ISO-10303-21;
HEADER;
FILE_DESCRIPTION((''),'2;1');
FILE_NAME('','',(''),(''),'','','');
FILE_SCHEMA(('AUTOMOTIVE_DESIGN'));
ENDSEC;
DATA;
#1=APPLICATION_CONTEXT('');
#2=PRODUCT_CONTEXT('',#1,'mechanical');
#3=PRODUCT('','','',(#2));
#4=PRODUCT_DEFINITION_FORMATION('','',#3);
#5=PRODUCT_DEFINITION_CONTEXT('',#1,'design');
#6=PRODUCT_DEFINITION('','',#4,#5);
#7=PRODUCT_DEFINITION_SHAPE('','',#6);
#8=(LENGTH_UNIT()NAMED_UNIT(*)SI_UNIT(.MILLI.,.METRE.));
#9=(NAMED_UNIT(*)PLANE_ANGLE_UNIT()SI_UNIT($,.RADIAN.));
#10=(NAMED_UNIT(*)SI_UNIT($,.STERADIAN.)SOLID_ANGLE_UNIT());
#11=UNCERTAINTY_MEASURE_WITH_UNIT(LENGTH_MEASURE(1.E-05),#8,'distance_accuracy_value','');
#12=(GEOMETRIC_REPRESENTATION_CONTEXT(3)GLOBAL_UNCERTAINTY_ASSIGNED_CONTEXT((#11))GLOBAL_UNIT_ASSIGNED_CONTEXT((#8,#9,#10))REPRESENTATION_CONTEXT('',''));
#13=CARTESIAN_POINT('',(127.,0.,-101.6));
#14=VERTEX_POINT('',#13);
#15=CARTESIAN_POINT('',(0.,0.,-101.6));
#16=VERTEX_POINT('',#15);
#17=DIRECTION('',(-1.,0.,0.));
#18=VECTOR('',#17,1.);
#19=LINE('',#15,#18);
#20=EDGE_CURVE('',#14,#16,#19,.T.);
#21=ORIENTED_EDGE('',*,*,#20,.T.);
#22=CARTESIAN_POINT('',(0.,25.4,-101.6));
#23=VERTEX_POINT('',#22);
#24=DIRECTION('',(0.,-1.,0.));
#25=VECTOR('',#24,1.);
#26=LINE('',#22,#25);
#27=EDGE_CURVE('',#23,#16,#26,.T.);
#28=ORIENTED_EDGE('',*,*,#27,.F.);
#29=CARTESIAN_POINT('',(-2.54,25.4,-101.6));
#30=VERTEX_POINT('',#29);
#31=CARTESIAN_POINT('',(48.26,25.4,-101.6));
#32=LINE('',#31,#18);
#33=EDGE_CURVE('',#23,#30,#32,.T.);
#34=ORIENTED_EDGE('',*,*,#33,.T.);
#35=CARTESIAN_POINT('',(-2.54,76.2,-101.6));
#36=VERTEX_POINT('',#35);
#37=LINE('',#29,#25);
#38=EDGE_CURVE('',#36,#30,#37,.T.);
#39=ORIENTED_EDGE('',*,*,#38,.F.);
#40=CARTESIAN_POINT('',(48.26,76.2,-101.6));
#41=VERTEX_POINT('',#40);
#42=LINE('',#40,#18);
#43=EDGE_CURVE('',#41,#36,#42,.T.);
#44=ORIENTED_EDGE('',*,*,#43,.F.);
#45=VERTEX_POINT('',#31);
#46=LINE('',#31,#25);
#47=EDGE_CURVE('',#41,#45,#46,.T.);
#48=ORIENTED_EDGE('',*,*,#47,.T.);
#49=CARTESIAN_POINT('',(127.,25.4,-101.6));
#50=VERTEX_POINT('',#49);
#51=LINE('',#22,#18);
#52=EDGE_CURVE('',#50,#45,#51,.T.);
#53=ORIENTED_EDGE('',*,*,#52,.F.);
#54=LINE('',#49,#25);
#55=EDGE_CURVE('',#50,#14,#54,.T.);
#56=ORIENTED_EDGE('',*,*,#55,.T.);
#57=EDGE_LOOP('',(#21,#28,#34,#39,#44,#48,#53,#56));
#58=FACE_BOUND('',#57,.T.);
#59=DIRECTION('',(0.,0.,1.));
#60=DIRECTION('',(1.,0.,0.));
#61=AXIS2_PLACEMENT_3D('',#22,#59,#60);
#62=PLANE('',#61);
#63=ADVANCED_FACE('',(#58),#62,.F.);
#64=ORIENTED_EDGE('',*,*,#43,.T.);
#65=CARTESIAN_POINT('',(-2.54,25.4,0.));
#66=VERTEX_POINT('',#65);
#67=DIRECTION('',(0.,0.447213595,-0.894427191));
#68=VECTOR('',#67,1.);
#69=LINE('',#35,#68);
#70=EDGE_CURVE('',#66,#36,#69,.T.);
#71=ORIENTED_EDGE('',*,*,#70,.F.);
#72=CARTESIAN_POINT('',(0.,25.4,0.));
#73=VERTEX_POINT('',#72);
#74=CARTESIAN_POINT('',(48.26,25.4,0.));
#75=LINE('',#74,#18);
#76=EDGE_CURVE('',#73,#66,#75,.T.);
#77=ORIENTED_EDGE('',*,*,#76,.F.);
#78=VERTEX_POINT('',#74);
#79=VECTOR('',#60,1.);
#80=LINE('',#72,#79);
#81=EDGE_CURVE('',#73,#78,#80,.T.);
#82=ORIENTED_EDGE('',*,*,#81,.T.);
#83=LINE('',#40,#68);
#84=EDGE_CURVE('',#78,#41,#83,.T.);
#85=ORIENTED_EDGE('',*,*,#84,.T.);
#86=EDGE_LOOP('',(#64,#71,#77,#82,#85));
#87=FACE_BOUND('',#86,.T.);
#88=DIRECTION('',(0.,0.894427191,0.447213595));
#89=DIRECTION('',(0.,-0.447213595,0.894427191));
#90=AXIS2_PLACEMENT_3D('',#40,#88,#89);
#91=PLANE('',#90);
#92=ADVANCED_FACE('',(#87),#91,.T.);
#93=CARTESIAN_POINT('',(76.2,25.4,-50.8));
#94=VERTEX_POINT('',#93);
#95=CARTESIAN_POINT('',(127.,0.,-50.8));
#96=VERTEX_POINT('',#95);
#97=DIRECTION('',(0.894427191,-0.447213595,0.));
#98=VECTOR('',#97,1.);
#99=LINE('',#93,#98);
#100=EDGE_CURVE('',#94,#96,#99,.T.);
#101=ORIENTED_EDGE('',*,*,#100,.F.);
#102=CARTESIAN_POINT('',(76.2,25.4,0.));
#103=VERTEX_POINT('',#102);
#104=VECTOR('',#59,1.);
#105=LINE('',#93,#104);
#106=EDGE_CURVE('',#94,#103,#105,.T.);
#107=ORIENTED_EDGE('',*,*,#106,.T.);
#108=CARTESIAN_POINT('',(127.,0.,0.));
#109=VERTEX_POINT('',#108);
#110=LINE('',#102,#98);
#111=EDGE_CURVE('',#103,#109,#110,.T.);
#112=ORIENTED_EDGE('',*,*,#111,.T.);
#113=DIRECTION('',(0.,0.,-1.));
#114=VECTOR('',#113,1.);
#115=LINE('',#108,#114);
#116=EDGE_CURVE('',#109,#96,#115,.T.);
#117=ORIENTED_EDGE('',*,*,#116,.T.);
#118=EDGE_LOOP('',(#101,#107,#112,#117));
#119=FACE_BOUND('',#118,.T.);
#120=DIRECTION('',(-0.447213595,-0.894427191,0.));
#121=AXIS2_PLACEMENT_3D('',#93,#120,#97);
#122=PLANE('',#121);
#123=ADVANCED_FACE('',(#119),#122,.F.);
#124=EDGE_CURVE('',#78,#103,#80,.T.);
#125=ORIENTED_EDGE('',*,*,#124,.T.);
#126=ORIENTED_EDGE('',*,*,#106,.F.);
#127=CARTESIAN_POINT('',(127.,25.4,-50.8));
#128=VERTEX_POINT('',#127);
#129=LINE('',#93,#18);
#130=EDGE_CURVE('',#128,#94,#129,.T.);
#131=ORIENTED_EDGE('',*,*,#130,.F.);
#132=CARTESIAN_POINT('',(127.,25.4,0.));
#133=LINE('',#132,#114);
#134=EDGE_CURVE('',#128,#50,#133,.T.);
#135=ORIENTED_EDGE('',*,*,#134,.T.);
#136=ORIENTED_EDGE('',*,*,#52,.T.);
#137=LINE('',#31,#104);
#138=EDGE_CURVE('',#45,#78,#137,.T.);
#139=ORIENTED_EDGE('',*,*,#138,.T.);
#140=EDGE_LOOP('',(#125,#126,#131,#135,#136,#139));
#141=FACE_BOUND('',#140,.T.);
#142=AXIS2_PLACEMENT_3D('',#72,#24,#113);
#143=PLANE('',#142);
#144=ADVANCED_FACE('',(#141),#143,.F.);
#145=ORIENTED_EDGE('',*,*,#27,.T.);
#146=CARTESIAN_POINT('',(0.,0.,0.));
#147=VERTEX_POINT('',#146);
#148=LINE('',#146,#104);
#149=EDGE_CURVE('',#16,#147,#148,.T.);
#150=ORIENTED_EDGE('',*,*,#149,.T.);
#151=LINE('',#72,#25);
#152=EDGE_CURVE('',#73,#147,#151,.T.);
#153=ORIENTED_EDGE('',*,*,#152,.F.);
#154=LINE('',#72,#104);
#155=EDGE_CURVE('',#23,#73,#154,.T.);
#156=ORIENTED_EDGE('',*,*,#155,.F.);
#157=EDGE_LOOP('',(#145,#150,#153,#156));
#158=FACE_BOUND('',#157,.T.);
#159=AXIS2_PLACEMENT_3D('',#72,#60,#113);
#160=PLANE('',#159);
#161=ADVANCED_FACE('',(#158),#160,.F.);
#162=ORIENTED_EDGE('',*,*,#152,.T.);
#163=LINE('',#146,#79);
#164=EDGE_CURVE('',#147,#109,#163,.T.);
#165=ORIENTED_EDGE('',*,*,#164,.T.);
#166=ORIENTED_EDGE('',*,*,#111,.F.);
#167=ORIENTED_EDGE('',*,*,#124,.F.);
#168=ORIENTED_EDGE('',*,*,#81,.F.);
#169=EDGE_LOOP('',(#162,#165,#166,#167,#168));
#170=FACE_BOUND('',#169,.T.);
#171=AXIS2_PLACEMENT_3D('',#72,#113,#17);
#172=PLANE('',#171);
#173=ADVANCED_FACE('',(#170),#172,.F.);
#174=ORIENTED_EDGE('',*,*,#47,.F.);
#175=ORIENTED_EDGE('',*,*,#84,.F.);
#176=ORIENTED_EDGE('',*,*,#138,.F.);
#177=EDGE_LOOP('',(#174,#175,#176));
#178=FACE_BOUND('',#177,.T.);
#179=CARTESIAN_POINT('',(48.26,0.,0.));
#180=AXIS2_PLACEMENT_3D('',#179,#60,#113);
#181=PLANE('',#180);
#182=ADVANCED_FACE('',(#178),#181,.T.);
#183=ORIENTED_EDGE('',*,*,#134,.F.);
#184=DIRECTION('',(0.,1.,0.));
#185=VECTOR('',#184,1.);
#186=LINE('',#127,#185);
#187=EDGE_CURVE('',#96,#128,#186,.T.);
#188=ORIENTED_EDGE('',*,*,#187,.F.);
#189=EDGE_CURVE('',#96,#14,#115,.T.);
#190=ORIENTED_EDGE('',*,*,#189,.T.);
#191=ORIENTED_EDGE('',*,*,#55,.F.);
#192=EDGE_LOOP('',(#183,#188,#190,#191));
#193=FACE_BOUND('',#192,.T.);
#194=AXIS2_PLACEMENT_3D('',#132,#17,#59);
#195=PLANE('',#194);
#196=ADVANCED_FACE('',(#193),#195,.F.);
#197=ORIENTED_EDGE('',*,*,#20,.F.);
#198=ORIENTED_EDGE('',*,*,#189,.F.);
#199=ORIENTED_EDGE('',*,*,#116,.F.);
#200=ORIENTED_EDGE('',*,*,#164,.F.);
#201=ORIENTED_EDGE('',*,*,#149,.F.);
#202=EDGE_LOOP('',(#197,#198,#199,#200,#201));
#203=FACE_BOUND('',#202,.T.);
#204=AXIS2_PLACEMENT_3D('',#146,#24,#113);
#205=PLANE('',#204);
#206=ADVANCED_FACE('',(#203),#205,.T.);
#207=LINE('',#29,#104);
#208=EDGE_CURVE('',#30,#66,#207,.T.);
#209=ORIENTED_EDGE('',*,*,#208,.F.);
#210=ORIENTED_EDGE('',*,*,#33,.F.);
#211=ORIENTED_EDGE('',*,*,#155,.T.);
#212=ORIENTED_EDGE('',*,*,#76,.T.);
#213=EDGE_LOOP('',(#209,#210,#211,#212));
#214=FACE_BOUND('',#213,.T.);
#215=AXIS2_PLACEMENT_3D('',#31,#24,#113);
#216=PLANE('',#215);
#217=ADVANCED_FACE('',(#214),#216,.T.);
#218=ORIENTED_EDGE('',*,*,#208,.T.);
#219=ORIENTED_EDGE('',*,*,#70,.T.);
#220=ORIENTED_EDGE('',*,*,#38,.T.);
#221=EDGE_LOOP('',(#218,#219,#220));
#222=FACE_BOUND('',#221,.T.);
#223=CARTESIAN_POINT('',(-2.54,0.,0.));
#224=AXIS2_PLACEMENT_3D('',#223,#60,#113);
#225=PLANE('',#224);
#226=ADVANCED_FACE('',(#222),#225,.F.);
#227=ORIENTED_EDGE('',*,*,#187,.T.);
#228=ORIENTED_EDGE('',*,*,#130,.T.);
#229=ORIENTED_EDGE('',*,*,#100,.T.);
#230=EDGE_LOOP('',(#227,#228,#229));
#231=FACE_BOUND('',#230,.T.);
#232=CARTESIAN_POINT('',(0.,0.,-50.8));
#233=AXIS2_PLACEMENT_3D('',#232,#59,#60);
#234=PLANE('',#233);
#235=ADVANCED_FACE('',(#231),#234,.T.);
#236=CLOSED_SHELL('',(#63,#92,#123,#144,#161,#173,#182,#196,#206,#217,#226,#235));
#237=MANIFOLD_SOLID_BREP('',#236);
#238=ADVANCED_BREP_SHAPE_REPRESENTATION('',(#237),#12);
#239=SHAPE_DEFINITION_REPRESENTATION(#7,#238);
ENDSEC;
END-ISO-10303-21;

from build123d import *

# Parameters (mm, degrees)
SKETCH2_W           = 127
SKETCH2_H           = 101.6
BOSS_EXTRUDE1_DEPTH = 25.4
CUT_EXTRUDE2_DEPTH  = 50.8
BOSS_EXTRUDE2_DEPTH = 50.8


with BuildPart() as part:
    # Sketch2 → Boss-Extrude1 (new body)
    with BuildSketch(Plane(origin=(0, 0, 0), x_dir=(1, 0, 0), z_dir=(0, 1, 0))):
        with Locations((63.5, 50.8)):
            Rectangle(SKETCH2_W, SKETCH2_H)
    extrude(amount=BOSS_EXTRUDE1_DEPTH)

    # Sketch4 → Cut-Extrude2 (cut)
    with BuildSketch(Plane.XY):
        Polygon((76.2, 25.4), (127, 25.4), (127, 0), align=None)
    extrude(amount=-CUT_EXTRUDE2_DEPTH, mode=Mode.SUBTRACT)

    # Sketch5 → Boss-Extrude2 (add)
    with BuildSketch(Plane.ZY.offset(2.54)):
        Polygon((-101.6, 25.4), (0, 25.4), (-101.6, 76.2), align=None)
    extrude(amount=-BOSS_EXTRUDE2_DEPTH)


solid = part.part
